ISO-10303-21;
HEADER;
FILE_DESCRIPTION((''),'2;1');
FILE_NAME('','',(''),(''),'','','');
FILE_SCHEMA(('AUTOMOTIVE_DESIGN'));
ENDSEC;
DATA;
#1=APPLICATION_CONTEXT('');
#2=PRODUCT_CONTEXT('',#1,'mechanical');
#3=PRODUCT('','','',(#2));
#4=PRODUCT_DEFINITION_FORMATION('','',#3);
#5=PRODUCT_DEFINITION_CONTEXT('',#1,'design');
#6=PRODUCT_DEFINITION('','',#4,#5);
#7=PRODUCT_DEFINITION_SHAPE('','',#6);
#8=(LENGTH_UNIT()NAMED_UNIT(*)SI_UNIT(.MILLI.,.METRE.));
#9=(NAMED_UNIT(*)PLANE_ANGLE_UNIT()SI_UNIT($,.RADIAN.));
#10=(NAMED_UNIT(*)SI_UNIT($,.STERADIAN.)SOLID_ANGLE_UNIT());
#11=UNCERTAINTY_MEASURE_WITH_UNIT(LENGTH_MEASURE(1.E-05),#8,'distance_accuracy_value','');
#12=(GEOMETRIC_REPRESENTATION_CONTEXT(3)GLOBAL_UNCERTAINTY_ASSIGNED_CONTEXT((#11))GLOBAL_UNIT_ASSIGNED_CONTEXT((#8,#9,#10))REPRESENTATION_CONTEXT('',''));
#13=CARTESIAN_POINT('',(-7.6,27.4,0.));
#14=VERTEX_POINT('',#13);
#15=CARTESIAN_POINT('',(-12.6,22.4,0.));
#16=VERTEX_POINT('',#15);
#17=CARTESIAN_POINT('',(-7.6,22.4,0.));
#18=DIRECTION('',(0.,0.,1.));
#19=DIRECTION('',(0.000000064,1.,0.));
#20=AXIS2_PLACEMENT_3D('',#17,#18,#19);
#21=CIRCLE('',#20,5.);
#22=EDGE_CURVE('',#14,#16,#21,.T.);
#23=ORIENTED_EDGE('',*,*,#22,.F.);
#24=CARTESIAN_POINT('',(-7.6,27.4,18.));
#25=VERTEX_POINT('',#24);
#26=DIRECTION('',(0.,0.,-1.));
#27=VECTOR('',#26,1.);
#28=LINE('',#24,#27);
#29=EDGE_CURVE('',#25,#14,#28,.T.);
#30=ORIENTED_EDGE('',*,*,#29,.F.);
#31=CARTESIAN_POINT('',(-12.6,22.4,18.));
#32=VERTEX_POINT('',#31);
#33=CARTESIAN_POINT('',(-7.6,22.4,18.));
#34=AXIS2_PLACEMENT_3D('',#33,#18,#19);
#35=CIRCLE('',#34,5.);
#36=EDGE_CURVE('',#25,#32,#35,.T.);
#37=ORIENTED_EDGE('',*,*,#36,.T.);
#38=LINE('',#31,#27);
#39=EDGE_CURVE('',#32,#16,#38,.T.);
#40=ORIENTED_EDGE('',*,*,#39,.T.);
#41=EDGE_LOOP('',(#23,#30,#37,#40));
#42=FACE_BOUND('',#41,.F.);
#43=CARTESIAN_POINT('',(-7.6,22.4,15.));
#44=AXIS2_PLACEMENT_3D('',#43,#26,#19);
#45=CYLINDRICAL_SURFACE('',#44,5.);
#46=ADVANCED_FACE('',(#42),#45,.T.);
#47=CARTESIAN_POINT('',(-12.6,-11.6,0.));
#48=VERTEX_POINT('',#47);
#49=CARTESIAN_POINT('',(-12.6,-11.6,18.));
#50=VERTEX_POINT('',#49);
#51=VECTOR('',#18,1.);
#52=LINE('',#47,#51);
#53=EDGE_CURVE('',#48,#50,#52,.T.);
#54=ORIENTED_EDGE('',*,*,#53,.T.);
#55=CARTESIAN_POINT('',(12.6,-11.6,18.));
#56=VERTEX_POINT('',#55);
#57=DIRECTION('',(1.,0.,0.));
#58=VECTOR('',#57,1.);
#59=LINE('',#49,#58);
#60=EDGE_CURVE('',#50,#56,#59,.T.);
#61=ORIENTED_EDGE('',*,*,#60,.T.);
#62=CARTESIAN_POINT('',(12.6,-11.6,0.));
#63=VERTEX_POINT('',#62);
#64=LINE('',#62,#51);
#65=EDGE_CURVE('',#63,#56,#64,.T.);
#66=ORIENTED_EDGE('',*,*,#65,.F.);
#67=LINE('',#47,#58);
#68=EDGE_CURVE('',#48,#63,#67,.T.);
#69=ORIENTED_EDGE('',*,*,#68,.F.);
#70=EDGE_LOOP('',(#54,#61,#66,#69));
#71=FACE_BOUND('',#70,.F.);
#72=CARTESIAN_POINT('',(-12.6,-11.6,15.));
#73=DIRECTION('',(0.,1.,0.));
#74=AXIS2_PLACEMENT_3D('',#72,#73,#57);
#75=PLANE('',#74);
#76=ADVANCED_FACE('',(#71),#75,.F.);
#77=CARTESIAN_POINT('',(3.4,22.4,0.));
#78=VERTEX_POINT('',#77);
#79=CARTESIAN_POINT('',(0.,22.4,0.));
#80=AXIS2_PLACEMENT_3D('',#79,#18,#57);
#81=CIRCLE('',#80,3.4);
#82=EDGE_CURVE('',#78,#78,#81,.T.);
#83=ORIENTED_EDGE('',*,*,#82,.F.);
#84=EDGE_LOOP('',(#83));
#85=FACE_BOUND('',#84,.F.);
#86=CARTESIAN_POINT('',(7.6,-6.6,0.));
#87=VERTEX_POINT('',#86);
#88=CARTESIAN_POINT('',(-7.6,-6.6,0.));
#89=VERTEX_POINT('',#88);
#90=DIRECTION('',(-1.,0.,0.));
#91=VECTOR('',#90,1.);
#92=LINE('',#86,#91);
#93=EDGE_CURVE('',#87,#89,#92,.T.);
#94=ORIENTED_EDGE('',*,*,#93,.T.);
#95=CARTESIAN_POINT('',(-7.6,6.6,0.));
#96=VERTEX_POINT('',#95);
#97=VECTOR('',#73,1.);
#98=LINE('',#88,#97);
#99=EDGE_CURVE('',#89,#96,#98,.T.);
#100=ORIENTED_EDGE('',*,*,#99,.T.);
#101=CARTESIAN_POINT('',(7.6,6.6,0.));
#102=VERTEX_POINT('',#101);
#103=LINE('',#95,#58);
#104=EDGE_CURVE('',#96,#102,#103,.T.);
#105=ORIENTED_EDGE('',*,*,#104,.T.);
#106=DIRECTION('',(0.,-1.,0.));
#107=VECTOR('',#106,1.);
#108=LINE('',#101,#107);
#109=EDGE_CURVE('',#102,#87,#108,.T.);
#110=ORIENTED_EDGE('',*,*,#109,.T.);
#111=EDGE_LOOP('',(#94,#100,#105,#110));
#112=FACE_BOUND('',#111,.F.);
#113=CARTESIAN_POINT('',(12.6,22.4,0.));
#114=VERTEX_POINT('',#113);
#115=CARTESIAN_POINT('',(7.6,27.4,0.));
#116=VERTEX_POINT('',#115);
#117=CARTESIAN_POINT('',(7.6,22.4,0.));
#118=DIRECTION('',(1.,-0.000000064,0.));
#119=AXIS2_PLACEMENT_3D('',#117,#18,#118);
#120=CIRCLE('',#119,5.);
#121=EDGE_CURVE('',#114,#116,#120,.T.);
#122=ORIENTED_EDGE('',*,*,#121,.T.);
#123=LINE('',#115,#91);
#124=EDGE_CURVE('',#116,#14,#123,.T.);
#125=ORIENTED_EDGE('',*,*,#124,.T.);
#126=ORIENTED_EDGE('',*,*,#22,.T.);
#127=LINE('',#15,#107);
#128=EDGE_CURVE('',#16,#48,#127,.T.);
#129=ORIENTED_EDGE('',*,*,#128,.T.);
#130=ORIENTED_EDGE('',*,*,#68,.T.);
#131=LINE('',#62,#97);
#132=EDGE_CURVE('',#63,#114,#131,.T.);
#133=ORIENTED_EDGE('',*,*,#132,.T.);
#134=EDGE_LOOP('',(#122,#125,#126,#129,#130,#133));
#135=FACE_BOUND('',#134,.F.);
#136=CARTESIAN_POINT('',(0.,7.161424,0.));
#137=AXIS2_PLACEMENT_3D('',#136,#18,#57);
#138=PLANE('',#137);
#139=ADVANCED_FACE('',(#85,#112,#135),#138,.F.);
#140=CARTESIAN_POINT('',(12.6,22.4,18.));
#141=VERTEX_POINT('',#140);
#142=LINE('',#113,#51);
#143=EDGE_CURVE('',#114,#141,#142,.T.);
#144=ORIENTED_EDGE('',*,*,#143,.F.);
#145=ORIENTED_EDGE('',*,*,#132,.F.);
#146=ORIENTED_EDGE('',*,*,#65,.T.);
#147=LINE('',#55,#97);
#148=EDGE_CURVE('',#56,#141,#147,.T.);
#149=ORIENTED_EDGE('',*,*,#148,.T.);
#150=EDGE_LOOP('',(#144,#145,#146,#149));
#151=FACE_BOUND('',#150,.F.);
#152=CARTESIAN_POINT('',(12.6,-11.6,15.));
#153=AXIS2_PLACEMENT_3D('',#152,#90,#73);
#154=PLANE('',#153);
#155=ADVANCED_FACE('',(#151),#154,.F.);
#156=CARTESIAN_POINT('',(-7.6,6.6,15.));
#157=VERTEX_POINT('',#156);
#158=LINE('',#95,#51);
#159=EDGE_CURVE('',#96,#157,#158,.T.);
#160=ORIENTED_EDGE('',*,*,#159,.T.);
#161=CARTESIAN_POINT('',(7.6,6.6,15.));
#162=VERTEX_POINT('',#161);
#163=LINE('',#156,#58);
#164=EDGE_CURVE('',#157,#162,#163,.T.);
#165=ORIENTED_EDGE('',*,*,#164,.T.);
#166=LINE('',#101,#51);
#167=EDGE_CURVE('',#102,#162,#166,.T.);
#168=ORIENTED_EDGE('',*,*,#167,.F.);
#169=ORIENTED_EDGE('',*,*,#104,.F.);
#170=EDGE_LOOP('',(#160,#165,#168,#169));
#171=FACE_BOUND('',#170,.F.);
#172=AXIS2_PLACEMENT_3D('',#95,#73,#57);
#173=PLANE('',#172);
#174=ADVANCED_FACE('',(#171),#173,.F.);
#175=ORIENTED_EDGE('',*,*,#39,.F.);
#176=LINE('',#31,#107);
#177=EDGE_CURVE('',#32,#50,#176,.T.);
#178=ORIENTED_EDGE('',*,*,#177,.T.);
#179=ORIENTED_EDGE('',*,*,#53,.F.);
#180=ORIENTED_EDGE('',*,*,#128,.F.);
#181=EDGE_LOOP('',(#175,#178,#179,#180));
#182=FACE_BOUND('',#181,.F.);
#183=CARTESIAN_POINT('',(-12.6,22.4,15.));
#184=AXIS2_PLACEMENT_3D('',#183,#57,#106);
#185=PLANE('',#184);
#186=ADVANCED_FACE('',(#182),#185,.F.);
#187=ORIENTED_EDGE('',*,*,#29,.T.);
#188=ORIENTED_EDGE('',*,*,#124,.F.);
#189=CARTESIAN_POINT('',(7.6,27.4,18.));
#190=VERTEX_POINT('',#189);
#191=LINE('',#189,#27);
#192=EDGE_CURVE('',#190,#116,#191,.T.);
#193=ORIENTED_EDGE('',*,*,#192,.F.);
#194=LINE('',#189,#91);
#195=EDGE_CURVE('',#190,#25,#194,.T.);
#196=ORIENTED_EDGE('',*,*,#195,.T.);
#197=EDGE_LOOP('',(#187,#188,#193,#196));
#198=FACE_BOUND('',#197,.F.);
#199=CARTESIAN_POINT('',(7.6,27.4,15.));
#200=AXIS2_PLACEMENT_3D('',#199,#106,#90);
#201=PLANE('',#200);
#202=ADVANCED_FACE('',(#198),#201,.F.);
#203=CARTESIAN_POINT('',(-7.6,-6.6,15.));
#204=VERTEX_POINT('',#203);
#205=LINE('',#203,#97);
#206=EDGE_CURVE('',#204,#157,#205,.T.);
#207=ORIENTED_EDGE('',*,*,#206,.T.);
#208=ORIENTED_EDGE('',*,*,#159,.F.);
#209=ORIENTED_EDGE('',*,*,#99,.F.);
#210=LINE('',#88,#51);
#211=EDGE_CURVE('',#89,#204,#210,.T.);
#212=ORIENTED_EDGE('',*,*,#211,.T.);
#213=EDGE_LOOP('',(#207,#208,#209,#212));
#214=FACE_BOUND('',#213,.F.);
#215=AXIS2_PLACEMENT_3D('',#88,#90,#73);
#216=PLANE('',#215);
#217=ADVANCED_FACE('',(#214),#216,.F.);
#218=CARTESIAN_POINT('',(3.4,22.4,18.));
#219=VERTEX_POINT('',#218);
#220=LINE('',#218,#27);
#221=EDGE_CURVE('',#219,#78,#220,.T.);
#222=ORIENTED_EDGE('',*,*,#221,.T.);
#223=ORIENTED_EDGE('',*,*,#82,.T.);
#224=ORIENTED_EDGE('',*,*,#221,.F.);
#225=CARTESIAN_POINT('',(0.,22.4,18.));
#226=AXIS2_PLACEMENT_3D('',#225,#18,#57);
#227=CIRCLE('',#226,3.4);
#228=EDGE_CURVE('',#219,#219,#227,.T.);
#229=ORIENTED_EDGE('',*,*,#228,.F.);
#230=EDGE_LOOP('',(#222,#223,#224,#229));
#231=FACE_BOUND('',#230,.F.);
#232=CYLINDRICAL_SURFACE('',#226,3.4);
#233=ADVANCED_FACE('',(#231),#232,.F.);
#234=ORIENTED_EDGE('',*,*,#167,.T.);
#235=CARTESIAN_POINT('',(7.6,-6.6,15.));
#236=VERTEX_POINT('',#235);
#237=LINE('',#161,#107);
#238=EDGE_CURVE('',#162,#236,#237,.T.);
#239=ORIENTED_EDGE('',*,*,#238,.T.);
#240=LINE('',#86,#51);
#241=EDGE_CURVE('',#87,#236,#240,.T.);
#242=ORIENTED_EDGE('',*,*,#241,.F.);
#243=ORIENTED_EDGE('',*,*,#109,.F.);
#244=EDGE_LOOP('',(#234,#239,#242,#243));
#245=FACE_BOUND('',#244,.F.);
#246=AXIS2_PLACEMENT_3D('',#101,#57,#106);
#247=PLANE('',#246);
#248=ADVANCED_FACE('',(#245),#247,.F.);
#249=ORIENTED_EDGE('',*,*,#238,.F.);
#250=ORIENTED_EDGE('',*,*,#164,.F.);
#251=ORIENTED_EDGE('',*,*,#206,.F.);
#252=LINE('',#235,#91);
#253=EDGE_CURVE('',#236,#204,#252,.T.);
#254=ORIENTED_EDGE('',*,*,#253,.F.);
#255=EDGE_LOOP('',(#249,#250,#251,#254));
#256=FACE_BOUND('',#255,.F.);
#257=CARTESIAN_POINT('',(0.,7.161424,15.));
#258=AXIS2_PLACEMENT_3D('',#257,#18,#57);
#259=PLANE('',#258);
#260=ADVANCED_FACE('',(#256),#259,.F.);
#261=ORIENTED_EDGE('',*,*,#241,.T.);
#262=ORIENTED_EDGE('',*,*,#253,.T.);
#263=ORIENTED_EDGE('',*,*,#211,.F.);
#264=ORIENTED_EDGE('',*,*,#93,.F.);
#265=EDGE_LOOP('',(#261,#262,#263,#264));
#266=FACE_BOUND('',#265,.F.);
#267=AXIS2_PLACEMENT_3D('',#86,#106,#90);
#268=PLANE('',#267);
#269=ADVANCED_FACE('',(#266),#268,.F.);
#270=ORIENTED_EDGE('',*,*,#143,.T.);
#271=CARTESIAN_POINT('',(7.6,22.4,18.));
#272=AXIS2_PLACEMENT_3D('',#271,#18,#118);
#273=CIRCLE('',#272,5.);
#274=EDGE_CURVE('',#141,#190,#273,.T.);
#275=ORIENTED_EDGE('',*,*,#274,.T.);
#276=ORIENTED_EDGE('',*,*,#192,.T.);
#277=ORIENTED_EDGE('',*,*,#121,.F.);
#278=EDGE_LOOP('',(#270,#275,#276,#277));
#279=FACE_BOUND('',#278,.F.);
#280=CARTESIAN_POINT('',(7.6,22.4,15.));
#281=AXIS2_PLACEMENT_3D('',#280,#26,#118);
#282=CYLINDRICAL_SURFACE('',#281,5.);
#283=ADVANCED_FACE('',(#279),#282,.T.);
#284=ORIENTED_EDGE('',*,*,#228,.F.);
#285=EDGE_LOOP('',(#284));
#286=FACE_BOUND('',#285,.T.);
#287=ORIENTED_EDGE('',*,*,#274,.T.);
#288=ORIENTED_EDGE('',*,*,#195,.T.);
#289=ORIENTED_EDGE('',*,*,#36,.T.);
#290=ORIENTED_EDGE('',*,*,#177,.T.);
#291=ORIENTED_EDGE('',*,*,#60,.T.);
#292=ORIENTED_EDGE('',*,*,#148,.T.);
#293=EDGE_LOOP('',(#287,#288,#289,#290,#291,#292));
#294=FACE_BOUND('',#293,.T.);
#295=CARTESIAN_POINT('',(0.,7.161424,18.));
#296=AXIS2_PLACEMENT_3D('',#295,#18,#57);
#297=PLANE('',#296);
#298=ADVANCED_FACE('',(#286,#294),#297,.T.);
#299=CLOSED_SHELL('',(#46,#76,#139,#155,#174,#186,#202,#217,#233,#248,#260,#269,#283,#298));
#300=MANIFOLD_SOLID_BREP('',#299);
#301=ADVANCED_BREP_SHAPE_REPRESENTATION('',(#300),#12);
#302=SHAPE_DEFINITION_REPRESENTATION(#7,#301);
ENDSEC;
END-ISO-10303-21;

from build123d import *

# Parameters (mm, degrees)
F1_DEPTH = 15
F3_DEPTH = 3
F4_R     = 3.4
F5_DEPTH = 18.001


with BuildPart() as f1:
    # F0 (on Top) → F1 (new body)
    with BuildSketch(Plane.XY):
        with BuildLine():
            Line((12.6, 0), (12.6, 22.4))
            ThreePointArc((12.6, 22.4), (11.135534, 25.935534), (7.6, 27.4))
            Line((7.6, 27.4), (0, 27.4))
            Line((0, 27.4), (-7.6, 27.4))
            ThreePointArc((-7.6, 27.4), (-11.135534, 25.935534), (-12.6, 22.4))
            Line((-12.6, 22.4), (-12.6, 0))
            Line((-12.6, 0), (-12.6, -11.6))
            Line((-12.6, -11.6), (0, -11.6))
            Line((0, -11.6), (12.6, -11.6))
            Line((12.6, -11.6), (12.6, 0))
        make_face()
        Polygon((-7.6, 6.6), (0, 6.6), (7.6, 6.6), (7.6, 0), (7.6, -6.6), (0, -6.6), (-7.6, -6.6), (-7.6, 0), align=None, mode=Mode.SUBTRACT)
    extrude(amount=F1_DEPTH)

    # F2 (on face) → F3 (join)
    with BuildSketch(Plane.XY.offset(15)):
        with BuildLine():
            Line((-12.6, 22.4), (-12.6, -11.6))
            Line((-12.6, -11.6), (0, -11.6))
            Line((0, -11.6), (12.6, -11.6))
            Line((12.6, -11.6), (12.6, 22.4))
            ThreePointArc((12.6, 22.4), (11.135534, 25.935534), (7.6, 27.4))
            Line((7.6, 27.4), (0, 27.4))
            Line((0, 27.4), (-7.6, 27.4))
            ThreePointArc((-7.6, 27.4), (-11.135534, 25.935534), (-12.6, 22.4))
        make_face()
    extrude(amount=F3_DEPTH)

    # F4 (on face) → F5 (cut, through all)
    with BuildSketch(Plane.XY.offset(18)):
        with Locations((0, 22.4)):
            Circle(F4_R)
    extrude(amount=-F5_DEPTH, mode=Mode.SUBTRACT)


solid = f1.part
